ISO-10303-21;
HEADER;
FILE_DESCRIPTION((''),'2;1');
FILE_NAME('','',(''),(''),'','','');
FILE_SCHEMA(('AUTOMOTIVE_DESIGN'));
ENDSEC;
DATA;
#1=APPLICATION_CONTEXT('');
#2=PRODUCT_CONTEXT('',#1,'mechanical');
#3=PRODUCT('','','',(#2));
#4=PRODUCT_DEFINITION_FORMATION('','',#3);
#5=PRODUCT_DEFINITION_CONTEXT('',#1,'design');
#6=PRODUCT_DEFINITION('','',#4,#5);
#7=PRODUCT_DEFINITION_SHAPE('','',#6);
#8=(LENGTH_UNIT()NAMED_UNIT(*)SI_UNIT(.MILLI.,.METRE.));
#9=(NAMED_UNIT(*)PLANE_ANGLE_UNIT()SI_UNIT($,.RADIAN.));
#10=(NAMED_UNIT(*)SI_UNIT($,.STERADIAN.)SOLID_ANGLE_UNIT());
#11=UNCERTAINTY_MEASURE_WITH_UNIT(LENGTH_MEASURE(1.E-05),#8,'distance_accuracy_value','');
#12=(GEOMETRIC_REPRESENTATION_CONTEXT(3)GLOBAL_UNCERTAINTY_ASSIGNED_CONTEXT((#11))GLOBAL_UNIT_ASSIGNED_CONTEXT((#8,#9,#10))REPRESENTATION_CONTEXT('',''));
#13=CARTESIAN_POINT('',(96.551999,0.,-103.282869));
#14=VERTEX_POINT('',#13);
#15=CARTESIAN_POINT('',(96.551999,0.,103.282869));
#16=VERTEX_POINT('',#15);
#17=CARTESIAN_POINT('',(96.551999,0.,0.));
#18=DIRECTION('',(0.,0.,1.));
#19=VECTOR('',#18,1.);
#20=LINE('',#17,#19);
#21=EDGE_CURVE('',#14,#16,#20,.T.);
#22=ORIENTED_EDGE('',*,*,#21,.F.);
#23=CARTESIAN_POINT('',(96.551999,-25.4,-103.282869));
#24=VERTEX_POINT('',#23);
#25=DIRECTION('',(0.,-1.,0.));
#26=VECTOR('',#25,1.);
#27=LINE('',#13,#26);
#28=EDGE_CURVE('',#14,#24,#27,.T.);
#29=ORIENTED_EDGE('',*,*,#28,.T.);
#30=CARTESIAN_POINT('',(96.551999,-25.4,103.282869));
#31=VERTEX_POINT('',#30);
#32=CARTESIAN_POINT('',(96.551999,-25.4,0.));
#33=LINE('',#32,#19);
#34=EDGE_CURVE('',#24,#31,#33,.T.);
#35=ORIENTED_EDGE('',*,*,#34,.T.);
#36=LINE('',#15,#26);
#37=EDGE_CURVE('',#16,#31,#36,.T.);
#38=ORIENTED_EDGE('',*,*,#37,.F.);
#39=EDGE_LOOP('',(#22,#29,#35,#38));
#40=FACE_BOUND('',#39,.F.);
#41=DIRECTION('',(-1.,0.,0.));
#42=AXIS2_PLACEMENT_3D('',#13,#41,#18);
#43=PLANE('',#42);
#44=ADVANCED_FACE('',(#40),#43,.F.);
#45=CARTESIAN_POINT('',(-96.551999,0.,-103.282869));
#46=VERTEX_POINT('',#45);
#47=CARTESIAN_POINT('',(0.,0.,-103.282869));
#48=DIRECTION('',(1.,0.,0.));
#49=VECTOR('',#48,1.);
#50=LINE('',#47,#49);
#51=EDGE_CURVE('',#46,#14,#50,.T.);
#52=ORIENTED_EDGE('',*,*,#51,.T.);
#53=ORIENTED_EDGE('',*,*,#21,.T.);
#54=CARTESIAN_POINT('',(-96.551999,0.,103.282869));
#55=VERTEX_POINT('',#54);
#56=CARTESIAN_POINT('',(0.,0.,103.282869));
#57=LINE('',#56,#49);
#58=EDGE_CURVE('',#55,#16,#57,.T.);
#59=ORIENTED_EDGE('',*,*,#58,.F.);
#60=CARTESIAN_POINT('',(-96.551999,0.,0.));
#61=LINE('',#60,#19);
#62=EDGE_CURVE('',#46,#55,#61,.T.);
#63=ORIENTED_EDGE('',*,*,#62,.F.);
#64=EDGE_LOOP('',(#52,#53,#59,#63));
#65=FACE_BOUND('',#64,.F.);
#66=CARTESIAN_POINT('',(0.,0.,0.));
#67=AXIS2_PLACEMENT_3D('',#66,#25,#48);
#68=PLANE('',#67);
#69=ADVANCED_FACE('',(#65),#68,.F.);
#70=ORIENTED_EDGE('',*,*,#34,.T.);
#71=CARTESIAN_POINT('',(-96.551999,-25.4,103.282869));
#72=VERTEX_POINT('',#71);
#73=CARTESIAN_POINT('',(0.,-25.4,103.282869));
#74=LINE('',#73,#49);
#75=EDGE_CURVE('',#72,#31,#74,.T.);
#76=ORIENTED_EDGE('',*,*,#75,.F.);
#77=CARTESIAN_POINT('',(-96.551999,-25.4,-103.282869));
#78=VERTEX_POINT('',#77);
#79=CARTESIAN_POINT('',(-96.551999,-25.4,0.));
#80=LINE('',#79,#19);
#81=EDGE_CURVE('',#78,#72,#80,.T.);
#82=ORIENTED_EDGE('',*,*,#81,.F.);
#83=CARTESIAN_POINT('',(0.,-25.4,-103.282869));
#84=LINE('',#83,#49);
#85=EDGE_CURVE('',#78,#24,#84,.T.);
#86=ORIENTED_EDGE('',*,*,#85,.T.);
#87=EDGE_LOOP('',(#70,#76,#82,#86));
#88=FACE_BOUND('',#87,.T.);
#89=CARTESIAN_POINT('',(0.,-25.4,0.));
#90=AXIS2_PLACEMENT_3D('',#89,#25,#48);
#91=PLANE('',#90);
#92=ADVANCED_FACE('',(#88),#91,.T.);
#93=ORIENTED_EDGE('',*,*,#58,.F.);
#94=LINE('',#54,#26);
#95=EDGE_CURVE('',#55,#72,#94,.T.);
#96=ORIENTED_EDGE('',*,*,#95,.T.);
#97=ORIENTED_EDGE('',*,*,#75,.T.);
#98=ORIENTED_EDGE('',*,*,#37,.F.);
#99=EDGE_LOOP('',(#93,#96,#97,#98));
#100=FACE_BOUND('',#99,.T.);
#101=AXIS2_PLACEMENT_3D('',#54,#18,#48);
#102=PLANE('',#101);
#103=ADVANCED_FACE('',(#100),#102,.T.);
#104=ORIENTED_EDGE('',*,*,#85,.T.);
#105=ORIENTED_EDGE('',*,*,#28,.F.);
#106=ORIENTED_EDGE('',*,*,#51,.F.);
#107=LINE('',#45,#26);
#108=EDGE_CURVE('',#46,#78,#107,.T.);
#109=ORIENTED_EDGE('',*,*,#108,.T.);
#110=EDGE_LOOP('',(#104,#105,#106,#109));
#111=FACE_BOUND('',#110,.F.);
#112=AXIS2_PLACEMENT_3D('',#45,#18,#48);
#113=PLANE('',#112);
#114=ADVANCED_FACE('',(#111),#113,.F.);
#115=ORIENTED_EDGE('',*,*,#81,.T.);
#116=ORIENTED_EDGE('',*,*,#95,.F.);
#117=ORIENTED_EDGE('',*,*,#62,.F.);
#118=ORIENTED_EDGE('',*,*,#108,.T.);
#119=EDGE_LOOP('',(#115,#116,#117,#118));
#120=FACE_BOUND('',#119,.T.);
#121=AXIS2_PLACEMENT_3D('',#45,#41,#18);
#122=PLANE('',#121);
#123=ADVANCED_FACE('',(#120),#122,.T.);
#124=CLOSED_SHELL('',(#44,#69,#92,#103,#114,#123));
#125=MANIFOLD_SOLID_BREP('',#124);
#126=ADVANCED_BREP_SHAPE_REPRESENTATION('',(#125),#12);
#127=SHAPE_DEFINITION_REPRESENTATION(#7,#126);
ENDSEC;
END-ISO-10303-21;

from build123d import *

# Parameters (mm, degrees)
F0_W     = 193.1039988995
F0_H     = 206.5657377243
F0_R     = 67.9099632838
F1_DEPTH = 25.4


with BuildPart() as f1:
    # F0 (on Front) → F1 (new body)
    with BuildSketch(Plane.XZ):
        Rectangle(F0_W, F0_H)
        Circle(F0_R, mode=Mode.SUBTRACT)
        Circle(F0_R)
    extrude(amount=F1_DEPTH)


solid = f1.part
